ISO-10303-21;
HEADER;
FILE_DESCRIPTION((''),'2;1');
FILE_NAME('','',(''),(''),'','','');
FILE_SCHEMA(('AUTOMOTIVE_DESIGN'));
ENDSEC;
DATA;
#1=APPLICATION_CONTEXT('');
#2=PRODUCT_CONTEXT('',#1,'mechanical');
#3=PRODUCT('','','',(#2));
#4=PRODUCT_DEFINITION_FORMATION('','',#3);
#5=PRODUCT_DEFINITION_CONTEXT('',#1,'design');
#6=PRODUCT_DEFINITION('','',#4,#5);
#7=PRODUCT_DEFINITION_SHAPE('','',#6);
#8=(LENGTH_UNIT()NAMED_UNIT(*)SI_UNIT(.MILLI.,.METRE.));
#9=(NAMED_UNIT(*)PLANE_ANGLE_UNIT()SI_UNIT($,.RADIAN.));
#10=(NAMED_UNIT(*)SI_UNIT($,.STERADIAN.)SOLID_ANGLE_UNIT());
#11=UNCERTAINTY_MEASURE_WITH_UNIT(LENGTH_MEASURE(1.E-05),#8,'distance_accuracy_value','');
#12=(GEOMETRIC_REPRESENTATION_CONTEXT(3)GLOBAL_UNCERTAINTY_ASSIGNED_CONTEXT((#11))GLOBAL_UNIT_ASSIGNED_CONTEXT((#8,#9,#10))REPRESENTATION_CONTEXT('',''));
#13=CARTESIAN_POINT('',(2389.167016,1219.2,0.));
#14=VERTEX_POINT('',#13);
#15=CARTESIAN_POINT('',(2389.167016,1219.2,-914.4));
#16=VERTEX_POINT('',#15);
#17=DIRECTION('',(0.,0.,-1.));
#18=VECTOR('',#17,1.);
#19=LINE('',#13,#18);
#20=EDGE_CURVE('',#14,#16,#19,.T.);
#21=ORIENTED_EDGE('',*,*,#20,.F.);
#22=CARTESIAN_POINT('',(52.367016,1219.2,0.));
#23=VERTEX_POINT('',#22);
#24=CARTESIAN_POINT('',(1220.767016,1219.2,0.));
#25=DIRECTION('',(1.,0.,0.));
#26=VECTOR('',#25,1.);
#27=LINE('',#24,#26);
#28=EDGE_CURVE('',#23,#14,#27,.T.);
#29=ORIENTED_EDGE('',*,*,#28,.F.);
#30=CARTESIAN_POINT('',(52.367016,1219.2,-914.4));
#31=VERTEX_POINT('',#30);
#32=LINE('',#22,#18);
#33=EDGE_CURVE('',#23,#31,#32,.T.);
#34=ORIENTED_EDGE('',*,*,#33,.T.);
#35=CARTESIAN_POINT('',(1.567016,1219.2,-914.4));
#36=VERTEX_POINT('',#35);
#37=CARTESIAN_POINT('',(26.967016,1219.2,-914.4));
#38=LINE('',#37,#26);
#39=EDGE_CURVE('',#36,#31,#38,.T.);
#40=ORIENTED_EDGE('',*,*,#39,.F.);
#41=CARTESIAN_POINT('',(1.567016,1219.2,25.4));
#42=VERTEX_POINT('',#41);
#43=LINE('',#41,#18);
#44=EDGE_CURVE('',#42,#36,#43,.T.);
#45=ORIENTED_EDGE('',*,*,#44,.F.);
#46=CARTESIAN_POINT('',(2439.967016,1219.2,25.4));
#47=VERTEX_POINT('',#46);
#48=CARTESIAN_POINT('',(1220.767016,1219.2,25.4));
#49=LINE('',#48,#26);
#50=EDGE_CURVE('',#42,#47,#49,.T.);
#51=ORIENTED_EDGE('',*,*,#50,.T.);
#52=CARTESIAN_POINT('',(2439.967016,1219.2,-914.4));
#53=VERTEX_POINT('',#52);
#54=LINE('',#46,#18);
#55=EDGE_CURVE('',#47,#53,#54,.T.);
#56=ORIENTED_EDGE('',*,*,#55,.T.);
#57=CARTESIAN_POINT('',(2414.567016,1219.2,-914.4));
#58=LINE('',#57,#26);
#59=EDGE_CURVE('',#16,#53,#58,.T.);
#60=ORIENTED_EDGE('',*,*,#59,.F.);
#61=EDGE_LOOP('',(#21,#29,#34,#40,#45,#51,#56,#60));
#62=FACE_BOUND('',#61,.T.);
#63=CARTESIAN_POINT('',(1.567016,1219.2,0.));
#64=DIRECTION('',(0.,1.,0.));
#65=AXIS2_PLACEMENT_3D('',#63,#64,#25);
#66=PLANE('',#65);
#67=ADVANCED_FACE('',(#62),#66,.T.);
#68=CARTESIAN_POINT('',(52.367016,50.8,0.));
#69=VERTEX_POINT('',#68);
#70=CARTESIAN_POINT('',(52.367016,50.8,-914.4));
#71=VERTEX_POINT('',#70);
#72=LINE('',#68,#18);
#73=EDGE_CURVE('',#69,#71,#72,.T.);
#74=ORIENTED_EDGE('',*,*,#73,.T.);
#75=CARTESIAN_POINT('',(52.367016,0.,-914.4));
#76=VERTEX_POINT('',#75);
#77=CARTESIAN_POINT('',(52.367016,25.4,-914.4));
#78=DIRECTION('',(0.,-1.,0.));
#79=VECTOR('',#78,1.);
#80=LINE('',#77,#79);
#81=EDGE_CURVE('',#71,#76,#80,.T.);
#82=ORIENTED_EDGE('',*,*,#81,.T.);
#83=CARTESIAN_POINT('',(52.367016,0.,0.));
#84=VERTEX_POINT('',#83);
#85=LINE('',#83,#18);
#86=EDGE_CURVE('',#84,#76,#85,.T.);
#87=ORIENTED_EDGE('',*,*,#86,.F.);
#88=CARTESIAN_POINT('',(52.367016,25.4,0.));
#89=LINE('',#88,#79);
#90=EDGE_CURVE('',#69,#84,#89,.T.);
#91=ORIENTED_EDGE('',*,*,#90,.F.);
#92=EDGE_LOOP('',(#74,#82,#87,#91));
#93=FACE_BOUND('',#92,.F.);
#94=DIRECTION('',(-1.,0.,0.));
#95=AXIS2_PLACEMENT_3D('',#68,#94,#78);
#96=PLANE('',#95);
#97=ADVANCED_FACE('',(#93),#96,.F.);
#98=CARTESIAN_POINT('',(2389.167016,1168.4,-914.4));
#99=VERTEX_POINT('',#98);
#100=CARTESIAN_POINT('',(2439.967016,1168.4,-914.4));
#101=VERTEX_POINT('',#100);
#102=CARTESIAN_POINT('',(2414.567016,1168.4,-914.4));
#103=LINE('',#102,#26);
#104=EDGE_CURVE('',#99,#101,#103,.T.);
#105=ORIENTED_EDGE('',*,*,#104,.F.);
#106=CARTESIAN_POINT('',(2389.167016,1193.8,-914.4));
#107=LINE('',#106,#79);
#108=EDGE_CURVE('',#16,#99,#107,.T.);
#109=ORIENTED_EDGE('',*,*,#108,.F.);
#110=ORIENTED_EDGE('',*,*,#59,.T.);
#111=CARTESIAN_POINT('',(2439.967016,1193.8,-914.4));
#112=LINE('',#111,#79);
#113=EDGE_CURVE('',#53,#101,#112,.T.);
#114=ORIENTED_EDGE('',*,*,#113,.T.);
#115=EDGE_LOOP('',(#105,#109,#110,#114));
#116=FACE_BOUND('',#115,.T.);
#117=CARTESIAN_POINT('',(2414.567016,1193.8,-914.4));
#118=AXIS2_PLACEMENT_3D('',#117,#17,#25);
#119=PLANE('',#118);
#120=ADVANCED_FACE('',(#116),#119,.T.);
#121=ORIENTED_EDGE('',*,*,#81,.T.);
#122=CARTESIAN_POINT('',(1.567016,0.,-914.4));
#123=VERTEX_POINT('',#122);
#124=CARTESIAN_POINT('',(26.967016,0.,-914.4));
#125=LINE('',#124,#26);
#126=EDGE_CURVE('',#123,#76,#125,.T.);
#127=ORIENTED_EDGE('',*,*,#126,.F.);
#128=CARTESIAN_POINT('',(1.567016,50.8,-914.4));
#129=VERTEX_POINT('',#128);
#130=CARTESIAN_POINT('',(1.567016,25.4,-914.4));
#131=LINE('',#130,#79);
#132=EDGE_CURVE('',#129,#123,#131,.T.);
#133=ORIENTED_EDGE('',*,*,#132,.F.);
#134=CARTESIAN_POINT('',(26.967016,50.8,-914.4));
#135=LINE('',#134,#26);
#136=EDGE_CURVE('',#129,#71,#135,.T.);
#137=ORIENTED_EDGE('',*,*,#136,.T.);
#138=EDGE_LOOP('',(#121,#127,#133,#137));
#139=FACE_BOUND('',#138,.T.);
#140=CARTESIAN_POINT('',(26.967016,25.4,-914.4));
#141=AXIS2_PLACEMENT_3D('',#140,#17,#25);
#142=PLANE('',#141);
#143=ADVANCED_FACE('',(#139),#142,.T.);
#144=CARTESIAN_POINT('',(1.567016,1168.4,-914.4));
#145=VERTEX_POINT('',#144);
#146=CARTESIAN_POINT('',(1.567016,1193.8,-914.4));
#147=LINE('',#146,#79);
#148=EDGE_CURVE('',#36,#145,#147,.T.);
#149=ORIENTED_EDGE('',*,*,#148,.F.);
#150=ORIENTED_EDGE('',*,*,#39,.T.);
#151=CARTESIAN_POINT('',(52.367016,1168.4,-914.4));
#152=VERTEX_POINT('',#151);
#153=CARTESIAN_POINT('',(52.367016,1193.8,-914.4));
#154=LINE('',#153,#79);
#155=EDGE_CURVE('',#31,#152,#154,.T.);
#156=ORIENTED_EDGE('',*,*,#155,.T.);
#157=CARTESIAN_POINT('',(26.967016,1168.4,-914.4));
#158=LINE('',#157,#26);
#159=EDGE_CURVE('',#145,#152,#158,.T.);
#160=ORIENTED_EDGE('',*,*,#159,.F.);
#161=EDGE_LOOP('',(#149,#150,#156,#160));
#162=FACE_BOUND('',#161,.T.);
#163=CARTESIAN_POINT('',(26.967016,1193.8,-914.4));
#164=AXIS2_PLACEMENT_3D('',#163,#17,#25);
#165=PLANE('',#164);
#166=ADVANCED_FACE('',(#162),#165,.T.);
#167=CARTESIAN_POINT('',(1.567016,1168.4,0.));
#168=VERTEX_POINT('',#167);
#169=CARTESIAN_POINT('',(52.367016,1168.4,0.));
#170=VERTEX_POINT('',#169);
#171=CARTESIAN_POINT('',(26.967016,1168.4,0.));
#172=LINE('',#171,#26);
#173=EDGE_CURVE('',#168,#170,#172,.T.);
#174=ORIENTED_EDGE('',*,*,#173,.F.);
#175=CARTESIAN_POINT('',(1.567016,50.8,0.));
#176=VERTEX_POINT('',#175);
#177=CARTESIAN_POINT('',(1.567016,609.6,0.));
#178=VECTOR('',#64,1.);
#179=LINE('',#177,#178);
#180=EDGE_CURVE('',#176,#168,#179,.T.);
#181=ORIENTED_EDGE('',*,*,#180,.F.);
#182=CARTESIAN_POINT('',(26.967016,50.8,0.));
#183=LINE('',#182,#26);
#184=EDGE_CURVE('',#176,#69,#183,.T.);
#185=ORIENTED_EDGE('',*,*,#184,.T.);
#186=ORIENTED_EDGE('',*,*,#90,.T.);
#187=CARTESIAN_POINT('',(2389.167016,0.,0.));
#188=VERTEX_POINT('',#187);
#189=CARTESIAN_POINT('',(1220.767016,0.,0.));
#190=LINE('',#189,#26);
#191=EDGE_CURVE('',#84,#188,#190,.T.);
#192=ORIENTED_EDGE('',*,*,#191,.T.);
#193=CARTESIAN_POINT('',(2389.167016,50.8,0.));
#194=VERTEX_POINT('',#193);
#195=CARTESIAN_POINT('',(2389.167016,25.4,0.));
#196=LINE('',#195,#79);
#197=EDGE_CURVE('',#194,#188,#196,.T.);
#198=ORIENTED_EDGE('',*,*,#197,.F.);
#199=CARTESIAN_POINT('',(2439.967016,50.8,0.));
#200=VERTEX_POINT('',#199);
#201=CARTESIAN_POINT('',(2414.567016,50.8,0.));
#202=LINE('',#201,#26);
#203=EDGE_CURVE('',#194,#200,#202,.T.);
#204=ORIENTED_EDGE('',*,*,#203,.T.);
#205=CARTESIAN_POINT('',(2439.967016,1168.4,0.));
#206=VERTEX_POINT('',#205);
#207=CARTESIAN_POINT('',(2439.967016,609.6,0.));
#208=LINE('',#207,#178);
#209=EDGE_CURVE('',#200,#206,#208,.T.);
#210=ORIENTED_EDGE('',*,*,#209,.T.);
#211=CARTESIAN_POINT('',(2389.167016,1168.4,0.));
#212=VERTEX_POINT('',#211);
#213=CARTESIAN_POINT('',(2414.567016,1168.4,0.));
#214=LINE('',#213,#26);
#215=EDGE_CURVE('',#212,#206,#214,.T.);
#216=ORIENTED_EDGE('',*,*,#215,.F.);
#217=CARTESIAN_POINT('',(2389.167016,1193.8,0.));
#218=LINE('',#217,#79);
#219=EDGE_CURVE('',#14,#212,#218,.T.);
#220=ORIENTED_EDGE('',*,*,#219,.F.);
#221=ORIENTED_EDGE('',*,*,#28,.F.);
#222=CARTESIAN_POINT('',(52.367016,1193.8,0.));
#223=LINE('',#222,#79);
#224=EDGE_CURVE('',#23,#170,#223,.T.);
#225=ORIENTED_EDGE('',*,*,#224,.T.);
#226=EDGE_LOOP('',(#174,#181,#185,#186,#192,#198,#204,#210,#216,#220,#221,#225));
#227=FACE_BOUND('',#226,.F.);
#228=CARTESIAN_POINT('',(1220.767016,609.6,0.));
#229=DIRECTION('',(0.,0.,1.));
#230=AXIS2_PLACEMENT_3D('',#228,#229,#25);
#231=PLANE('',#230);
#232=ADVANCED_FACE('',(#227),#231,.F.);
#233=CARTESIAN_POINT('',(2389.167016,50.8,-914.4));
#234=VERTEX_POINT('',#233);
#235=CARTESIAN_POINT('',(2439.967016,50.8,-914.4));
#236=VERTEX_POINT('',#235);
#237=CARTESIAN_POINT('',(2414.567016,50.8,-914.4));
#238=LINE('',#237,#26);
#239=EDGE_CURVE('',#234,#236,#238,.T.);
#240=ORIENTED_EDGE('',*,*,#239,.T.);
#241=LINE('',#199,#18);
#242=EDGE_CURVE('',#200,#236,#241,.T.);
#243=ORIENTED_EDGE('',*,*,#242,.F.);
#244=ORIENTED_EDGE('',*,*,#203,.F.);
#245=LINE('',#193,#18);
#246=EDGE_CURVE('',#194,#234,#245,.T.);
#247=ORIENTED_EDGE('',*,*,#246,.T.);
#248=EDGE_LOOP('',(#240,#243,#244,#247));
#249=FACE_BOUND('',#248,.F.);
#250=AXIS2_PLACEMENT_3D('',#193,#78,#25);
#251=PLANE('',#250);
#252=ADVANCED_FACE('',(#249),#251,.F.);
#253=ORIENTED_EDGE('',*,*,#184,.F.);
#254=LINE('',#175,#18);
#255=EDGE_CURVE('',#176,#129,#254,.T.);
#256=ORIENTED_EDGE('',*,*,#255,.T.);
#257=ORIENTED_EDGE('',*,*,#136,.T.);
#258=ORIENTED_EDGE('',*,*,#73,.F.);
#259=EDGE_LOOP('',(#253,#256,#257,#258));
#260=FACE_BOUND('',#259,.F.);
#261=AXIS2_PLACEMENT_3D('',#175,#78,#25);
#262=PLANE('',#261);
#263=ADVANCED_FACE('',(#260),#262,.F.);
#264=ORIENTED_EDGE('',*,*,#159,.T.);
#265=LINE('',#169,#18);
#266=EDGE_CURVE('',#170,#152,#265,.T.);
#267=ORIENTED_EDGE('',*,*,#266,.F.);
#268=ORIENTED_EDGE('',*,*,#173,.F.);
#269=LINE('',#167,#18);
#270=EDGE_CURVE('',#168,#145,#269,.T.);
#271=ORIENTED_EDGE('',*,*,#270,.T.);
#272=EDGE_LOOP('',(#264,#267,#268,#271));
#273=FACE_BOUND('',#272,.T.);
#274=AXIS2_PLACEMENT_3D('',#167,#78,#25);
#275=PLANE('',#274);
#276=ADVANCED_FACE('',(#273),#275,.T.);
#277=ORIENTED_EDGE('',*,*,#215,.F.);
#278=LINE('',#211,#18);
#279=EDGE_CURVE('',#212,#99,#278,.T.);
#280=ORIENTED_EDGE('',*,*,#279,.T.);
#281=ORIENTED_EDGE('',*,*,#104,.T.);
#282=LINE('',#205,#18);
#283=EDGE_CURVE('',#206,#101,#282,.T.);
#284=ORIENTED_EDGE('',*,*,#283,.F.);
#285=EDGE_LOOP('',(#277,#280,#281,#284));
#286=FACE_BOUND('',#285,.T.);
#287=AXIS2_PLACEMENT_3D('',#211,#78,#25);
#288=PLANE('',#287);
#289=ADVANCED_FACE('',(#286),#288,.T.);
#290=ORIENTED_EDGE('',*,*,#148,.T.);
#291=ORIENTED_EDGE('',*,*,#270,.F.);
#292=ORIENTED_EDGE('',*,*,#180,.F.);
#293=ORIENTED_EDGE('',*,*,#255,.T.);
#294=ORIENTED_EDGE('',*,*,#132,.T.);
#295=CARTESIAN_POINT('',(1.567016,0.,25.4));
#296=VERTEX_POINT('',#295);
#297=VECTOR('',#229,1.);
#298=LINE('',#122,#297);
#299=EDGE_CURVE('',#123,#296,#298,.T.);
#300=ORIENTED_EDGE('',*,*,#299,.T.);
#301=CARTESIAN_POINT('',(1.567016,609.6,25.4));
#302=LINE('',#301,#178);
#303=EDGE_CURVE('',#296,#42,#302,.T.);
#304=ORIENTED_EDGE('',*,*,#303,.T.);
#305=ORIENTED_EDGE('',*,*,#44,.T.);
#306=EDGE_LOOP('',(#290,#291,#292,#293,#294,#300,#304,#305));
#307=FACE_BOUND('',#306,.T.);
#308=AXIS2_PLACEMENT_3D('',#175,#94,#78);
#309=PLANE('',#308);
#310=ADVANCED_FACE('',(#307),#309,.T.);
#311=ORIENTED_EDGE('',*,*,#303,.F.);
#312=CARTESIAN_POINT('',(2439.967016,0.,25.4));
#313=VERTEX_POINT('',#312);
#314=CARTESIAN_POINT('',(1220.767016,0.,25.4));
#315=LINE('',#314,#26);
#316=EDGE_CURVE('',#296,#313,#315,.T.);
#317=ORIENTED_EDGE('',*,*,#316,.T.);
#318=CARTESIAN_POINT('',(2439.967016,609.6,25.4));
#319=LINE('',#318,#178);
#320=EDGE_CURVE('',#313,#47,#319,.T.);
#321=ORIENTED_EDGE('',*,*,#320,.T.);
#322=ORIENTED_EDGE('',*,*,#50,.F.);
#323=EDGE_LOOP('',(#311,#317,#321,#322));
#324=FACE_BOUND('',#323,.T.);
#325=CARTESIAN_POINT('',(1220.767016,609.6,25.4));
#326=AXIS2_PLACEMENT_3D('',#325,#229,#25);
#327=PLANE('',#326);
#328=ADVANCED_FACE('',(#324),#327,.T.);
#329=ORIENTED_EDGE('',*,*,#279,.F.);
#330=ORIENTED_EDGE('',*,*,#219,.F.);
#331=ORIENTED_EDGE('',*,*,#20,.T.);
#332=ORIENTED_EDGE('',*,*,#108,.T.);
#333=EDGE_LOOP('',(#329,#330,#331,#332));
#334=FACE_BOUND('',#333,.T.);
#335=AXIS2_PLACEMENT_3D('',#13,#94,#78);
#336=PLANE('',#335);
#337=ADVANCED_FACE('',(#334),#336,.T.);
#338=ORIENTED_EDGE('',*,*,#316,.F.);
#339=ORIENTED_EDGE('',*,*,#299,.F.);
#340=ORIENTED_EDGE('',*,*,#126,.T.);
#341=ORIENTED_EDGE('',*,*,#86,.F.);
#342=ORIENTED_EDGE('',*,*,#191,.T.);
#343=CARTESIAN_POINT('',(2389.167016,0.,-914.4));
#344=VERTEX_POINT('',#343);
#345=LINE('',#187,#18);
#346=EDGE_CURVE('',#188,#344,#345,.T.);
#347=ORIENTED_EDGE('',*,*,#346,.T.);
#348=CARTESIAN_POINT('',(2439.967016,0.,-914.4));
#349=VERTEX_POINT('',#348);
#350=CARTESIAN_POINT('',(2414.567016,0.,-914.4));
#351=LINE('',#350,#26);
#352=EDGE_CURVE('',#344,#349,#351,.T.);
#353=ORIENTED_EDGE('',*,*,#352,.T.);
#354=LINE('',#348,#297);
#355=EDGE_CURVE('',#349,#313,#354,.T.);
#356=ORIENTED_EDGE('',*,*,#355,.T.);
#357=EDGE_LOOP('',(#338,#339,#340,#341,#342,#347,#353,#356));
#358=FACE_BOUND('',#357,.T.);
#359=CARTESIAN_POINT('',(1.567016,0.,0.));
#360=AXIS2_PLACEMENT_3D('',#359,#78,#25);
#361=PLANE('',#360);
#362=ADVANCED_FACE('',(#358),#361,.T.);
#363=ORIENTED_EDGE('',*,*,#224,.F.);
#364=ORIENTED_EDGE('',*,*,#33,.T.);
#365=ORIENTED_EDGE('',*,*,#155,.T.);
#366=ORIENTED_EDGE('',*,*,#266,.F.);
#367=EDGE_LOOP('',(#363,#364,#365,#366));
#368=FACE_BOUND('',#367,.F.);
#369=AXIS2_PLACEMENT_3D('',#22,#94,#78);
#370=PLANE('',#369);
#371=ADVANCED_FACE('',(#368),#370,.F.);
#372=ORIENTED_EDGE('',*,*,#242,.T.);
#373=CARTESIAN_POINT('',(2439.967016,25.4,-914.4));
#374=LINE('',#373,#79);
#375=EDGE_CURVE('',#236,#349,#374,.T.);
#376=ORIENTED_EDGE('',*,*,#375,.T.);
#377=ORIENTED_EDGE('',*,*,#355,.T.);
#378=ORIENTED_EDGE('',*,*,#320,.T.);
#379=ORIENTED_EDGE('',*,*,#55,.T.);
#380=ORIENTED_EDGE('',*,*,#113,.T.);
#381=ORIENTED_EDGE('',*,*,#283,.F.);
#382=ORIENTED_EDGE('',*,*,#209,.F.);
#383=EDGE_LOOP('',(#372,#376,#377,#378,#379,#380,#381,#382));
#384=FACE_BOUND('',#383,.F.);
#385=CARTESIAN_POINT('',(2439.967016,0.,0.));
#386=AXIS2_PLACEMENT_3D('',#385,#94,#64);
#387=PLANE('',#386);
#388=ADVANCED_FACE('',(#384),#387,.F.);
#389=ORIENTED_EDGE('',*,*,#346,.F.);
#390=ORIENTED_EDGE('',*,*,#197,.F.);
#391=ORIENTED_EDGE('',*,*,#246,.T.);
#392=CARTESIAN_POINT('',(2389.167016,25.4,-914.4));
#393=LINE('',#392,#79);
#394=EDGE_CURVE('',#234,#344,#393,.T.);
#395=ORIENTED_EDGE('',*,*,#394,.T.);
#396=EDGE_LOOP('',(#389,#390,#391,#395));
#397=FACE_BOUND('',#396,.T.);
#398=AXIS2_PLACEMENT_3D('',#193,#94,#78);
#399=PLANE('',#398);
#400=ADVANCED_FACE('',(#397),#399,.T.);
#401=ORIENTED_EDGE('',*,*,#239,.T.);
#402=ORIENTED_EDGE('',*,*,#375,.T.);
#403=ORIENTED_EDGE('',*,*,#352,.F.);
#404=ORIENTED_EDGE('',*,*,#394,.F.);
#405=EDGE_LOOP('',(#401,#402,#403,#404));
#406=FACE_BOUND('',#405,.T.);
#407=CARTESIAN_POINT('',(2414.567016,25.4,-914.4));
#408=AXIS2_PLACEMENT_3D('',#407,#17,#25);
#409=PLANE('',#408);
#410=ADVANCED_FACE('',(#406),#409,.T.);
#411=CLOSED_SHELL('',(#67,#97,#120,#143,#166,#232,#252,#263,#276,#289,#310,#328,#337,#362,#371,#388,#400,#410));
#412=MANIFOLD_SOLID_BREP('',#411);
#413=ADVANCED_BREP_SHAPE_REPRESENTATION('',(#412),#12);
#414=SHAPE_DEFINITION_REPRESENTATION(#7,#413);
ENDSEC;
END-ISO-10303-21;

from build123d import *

# Parameters (mm, degrees)
F0_W     = 2438.4
F0_H     = 1219.2
F1_DEPTH = 25.4
F2_W     = 50.8
F2_H     = 50.8
F3_DEPTH = 914.4


with BuildPart() as f1:
    # F0 (on Top) → F1 (new body)
    with BuildSketch(Plane.XY):
        with Locations((1220.767016, 609.6)):
            Rectangle(F0_W, F0_H)
    extrude(amount=F1_DEPTH)

    # F2 (on face) → F3 (join)
    with BuildSketch(Plane(origin=(0, 0, 0), x_dir=(1, 0, 0), z_dir=(0, 0, -1))):
        with Locations((26.967016, -25.4)):
            Rectangle(F2_W, F2_H)
        with Locations((26.967016, -1193.8)):
            Rectangle(F2_W, F2_H)
        with Locations((2414.567016, -25.4)):
            Rectangle(F2_W, F2_H)
        with Locations((2414.567016, -1193.8)):
            Rectangle(F2_W, F2_H)
    extrude(amount=F3_DEPTH)


solid = f1.part
